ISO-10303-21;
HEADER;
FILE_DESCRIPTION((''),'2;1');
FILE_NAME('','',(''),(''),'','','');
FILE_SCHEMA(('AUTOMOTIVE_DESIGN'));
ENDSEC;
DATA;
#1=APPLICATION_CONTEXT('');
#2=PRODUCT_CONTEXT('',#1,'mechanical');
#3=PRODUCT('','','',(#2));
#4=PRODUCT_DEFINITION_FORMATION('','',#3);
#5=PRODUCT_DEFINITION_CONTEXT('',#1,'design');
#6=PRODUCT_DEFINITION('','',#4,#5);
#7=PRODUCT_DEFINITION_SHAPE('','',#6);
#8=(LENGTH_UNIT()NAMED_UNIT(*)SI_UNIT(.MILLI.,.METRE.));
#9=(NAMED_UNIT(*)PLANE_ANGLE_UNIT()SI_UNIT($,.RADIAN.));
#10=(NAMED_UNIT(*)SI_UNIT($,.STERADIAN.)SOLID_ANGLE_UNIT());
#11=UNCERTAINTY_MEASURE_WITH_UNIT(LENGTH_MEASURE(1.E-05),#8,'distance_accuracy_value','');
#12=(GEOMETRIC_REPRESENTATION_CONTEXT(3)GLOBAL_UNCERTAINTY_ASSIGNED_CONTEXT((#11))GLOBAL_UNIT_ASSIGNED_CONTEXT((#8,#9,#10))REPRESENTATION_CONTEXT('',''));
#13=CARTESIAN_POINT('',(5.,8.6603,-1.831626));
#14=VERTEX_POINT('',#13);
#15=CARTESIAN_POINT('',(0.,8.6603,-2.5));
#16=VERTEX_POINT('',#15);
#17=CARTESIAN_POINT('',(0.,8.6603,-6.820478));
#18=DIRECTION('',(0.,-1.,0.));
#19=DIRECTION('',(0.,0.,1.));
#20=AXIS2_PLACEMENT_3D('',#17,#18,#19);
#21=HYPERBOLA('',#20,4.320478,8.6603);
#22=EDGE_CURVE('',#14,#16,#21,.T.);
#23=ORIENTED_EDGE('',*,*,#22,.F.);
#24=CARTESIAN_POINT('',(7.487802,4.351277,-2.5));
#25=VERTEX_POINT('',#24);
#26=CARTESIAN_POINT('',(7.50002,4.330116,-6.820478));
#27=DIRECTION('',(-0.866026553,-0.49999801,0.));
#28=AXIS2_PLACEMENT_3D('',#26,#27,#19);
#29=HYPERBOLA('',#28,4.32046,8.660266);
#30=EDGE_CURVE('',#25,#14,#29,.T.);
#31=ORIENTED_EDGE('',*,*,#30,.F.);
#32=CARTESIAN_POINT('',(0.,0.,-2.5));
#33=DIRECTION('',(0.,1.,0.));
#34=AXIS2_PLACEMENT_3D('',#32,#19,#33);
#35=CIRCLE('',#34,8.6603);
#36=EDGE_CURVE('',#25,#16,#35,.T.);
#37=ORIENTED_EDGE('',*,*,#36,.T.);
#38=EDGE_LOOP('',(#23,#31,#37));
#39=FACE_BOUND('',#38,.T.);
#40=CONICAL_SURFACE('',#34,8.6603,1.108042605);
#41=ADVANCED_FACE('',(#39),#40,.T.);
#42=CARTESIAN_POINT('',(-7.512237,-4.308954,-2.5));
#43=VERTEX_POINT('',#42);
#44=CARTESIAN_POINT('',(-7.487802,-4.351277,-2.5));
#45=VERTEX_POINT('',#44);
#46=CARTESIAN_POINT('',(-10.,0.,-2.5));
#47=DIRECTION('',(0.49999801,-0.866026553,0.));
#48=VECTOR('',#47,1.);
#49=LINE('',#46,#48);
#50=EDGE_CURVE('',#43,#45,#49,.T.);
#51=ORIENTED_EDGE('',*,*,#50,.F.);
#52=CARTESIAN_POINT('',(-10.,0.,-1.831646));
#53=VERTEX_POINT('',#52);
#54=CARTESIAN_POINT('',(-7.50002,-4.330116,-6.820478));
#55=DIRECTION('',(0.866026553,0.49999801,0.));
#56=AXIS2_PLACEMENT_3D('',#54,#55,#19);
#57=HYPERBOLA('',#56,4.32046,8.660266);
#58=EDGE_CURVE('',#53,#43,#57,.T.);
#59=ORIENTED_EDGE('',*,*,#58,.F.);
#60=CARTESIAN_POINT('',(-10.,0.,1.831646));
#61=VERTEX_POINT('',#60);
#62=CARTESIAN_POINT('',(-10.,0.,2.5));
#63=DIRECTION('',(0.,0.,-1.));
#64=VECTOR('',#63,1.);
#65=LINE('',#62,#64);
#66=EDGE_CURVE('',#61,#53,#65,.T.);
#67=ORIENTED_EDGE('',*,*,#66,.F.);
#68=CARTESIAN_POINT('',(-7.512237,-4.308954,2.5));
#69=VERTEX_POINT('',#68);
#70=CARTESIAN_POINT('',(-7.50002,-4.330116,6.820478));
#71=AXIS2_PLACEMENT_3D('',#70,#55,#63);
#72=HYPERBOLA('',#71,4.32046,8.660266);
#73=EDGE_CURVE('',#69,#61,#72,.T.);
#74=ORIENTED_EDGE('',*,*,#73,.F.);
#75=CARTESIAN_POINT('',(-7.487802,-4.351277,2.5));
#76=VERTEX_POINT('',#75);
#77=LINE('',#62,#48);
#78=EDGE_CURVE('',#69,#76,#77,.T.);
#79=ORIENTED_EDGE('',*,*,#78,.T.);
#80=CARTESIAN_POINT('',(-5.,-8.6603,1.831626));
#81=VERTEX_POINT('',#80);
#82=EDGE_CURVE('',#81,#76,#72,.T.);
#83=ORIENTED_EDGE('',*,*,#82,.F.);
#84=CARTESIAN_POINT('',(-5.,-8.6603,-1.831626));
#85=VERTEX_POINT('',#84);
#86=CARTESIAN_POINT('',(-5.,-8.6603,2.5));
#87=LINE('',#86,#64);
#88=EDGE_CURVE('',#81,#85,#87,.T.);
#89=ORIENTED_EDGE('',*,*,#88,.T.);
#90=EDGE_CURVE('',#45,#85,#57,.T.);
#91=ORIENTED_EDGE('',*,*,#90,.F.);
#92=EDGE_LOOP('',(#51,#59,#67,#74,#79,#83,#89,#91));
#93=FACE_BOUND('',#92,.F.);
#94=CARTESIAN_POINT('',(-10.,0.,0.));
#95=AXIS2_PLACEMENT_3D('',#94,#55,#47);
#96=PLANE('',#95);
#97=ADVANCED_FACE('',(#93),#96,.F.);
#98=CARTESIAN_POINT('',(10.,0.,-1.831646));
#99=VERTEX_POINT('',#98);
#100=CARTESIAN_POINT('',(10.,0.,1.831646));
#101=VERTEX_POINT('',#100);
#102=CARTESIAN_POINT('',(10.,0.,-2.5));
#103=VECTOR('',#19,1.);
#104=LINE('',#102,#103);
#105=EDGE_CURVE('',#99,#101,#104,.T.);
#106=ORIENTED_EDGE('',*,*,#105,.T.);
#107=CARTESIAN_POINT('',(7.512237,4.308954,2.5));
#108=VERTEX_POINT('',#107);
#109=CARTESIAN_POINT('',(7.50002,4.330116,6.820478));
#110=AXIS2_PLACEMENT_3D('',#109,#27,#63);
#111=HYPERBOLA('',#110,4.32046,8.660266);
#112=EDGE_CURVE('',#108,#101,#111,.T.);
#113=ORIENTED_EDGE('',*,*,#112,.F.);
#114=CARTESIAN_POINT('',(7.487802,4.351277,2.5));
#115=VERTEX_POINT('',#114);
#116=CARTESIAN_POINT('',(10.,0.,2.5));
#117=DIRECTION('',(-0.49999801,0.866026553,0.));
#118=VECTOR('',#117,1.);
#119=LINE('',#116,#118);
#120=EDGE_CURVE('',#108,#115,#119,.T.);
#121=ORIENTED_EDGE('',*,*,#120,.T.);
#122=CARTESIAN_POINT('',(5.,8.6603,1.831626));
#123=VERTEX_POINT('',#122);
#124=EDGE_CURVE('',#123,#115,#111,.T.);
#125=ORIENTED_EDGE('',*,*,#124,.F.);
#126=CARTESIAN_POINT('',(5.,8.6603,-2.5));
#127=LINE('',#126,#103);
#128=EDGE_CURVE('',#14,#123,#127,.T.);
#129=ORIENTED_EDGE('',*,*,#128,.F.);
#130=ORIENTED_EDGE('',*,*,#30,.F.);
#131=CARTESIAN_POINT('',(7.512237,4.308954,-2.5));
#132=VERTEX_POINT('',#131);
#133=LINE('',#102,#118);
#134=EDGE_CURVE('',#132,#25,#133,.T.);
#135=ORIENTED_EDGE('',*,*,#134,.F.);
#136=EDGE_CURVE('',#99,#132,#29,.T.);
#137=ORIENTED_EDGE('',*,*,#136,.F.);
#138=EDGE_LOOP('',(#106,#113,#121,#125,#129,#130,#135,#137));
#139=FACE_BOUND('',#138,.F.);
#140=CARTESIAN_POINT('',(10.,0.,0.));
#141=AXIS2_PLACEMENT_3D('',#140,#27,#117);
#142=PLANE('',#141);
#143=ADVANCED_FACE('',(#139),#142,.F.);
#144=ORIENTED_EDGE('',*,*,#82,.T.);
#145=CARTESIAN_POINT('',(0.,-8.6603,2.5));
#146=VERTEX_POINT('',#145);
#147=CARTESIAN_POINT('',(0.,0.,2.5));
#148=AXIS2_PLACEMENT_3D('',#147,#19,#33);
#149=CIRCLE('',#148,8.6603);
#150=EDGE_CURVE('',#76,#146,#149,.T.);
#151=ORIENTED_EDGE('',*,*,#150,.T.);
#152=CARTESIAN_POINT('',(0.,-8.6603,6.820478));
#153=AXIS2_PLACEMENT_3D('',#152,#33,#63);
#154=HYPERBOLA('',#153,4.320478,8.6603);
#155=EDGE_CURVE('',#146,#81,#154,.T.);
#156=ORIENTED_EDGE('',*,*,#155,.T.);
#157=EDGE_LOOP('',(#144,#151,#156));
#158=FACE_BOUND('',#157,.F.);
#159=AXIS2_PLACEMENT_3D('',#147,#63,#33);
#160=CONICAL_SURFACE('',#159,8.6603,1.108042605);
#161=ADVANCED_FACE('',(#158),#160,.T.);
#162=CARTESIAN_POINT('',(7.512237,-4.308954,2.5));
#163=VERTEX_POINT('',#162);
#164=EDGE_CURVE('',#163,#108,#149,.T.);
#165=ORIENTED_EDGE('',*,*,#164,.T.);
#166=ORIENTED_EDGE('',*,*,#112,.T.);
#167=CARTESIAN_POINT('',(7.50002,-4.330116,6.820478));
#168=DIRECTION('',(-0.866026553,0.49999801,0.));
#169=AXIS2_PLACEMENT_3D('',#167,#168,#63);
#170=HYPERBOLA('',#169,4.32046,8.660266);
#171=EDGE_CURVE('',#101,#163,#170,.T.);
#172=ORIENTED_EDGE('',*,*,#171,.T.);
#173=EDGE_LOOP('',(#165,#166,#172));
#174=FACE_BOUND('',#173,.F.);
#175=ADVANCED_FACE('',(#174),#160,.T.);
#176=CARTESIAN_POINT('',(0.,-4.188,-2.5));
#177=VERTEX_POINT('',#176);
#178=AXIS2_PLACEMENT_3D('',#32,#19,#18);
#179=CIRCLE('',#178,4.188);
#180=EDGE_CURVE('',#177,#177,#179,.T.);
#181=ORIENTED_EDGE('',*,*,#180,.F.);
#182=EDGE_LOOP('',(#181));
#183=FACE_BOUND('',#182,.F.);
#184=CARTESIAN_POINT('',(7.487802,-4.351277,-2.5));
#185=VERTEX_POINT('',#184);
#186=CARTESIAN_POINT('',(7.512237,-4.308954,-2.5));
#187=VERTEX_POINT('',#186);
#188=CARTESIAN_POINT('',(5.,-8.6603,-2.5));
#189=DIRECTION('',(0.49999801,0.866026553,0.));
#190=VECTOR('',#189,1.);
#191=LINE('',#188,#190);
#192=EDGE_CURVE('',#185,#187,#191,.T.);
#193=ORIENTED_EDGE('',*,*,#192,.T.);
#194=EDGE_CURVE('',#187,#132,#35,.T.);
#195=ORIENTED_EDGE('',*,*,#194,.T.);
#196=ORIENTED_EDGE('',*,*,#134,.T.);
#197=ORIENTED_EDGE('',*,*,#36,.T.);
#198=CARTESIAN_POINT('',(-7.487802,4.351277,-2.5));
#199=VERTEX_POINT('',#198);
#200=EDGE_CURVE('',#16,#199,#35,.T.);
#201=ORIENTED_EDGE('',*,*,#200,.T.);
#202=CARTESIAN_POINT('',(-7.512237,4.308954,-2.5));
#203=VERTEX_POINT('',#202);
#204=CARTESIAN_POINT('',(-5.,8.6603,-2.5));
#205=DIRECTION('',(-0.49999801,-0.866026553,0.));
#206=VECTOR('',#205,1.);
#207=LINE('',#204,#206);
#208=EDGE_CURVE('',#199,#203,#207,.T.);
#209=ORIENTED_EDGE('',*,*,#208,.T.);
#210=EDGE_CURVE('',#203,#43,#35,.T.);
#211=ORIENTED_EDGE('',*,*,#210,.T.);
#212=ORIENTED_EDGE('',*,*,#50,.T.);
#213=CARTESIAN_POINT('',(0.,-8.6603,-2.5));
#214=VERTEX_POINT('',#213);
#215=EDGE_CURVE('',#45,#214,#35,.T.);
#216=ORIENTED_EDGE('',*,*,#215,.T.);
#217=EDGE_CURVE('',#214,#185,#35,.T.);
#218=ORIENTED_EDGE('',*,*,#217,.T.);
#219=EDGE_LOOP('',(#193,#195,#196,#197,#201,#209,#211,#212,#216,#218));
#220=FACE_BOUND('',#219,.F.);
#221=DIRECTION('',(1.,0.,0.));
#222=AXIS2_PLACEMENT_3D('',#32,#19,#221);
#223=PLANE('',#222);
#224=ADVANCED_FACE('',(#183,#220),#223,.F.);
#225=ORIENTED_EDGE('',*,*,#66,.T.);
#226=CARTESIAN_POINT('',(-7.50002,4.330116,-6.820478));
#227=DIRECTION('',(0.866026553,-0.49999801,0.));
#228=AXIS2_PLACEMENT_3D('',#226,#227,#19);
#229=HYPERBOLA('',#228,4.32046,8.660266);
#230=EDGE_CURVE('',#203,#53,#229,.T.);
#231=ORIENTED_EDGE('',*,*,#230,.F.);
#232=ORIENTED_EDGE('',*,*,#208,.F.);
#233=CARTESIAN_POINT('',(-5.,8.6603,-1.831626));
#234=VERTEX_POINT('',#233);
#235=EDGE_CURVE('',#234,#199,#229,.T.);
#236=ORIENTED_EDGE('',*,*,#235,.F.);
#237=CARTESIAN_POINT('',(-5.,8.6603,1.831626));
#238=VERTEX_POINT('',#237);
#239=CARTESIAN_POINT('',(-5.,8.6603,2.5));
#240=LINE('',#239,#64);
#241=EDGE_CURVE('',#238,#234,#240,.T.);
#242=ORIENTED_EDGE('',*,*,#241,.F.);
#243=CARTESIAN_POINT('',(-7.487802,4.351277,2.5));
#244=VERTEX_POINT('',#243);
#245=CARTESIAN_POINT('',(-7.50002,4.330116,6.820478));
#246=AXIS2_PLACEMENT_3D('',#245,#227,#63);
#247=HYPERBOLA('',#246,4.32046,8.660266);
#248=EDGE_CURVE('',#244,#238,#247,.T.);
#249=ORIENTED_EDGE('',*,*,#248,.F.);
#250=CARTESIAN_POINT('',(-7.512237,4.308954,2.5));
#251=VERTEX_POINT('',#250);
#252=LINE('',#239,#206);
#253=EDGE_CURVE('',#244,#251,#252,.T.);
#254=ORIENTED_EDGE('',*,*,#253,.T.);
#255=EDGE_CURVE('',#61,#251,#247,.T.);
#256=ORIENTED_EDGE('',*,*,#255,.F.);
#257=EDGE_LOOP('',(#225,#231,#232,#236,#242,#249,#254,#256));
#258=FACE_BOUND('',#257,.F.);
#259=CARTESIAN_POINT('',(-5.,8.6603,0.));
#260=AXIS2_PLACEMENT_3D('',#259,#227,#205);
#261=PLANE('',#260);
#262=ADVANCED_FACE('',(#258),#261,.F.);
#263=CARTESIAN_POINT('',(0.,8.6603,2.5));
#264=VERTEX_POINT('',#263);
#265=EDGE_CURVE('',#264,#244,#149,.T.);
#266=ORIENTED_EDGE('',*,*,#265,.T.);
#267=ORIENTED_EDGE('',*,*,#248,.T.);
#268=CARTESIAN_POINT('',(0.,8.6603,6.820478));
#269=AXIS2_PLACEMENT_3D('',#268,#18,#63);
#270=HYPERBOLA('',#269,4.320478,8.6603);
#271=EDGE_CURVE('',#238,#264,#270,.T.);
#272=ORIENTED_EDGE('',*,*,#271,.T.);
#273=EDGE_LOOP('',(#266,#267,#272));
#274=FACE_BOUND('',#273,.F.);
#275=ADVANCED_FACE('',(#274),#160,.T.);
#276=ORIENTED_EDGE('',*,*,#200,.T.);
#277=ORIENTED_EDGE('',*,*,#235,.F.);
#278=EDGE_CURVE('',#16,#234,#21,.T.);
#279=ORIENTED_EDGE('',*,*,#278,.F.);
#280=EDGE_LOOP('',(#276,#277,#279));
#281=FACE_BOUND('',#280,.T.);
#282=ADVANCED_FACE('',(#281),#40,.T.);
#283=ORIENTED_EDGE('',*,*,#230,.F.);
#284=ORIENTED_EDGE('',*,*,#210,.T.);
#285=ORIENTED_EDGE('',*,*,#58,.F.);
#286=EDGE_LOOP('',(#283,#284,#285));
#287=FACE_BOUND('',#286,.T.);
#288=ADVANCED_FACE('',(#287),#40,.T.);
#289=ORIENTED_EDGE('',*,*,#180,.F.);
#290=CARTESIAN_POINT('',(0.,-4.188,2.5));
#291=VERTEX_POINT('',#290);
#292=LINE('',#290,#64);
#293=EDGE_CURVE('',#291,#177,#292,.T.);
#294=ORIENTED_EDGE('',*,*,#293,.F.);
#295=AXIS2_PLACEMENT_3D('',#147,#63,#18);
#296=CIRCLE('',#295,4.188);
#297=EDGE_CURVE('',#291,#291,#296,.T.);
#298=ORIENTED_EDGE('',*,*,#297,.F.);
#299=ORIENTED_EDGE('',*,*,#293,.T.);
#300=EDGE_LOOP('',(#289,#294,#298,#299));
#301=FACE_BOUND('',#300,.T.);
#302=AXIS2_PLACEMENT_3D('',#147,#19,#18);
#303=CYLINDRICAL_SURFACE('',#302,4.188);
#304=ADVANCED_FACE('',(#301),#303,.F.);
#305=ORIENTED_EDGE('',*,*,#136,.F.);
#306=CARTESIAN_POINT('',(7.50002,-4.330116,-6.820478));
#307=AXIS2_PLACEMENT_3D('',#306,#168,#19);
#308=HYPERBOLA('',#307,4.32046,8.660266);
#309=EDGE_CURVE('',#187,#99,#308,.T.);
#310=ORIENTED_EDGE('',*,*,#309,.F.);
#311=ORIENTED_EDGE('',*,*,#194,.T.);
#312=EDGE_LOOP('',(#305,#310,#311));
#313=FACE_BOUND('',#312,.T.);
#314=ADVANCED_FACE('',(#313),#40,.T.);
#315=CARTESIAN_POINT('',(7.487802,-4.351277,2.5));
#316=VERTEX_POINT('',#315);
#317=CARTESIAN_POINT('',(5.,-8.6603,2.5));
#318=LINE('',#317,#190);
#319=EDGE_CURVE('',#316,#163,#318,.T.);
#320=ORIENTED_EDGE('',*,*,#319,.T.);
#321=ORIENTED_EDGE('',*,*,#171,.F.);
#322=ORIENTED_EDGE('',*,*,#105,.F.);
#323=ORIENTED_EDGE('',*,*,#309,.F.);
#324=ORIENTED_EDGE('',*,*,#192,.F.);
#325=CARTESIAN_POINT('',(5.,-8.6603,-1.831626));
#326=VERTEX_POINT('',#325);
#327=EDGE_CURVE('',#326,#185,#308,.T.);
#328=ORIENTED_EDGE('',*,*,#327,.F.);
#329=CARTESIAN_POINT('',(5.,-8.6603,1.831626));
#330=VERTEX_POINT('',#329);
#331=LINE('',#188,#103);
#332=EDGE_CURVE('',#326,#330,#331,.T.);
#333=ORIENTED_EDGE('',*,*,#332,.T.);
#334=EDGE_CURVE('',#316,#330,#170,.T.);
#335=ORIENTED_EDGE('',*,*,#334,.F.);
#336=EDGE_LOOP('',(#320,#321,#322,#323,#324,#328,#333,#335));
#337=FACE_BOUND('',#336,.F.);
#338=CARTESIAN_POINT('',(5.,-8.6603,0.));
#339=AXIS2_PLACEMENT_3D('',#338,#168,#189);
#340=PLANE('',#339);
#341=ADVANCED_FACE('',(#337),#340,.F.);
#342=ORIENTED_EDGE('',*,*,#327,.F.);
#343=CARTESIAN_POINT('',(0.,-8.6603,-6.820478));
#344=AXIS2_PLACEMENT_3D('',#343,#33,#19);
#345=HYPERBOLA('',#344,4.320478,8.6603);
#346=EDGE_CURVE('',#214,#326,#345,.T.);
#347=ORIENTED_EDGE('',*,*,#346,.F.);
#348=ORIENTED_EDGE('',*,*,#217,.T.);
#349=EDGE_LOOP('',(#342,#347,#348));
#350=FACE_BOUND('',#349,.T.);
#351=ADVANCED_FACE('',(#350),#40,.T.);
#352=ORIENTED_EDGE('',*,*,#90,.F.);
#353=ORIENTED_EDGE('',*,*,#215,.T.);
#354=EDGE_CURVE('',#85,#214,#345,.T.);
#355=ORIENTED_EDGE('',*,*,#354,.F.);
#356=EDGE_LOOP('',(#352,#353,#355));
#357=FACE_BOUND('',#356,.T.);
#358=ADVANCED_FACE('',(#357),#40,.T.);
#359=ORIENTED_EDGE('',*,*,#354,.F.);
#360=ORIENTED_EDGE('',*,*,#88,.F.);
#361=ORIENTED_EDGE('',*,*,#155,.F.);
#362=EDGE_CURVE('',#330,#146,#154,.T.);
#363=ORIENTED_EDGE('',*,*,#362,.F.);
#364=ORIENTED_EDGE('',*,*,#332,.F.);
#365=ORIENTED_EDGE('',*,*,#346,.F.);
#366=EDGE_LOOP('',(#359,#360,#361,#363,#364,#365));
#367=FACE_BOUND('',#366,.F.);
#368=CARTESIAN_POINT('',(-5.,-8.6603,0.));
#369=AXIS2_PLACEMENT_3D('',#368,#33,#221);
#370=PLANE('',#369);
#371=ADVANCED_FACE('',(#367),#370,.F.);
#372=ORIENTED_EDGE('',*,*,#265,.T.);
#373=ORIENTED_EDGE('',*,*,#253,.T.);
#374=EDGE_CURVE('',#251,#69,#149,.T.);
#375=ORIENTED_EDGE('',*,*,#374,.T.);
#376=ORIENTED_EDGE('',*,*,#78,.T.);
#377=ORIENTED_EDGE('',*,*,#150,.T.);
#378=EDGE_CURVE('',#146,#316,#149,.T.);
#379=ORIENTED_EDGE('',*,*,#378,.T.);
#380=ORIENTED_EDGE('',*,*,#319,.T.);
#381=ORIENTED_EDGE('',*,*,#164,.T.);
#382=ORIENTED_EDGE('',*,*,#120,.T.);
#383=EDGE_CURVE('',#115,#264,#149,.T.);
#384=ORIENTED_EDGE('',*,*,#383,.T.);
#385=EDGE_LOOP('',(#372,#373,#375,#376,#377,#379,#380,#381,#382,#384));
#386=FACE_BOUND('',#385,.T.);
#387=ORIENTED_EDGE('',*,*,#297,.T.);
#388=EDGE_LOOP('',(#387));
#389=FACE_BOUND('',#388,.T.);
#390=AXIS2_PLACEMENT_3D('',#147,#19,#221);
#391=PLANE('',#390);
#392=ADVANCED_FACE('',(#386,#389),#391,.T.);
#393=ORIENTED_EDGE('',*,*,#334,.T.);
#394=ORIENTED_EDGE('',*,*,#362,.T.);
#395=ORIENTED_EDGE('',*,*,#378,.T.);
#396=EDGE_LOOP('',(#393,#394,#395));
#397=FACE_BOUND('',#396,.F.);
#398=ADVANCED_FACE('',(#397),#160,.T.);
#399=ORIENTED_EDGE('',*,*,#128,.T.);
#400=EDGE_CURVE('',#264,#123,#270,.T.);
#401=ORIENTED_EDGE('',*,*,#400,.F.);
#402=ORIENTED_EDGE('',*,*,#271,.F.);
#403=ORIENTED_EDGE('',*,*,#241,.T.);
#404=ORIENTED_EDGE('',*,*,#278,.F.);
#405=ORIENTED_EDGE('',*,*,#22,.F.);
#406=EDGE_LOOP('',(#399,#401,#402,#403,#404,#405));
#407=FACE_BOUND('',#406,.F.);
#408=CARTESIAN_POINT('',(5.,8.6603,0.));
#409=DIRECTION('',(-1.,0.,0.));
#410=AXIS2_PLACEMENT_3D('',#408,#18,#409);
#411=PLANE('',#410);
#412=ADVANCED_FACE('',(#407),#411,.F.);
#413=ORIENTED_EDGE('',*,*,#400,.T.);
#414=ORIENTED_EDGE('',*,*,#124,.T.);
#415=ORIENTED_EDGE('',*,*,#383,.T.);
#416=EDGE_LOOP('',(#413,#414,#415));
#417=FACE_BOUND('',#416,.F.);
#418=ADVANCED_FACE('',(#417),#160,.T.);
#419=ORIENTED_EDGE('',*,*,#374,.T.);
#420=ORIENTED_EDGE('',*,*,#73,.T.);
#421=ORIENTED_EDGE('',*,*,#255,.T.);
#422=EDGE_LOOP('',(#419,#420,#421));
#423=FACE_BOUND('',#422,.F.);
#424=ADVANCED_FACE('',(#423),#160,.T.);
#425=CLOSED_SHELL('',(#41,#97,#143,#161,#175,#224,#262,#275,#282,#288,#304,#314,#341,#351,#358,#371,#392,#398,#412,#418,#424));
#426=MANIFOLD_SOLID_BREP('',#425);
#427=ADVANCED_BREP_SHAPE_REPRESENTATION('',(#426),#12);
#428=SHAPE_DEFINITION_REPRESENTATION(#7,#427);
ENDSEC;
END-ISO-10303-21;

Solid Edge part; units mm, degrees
sketch "Sketch1" plane through (0, 0, 0) normal (0, 0, 1) x (1, 0, 0)
  line L0 (-5, -8.6603) -> (5, -8.6603)
  line L1 (5, -8.6603) -> (10, 0)
  line L2 (10, 0) -> (5, 8.6603)
  line L3 (5, 8.6603) -> (-5, 8.6603)
  line L4 (-5, 8.6603) -> (-10, 0)
  line L5 (-10, 0) -> (-5, -8.6603)
extrude "Protrusion1" add sketch "Sketch1" along normal mid plane 5
hole "Hole_1" at (0, 0, 2.5) direction (0, 0, -1) diameter 8.376 end through all
sketch "Sketch2" plane through (0, 0, 0) normal (1, 0, 0) x (0, 1, 0)
  line L0 (8.6603, -2.5) -> (27.7764, 7.0367)
revolve "RevolvedCutout1" cut sketch "Sketch2" angle 360 about axis through (0, 0, -57) along (0, 0, 1) material side at (0, 18.2407, 2.2236)
mirror "Mirror1" about plane through (0, 0, 0) normal (0, 0, 1) of "RevolvedCutout1"
properties part number "7" material "Fe 410 W"
